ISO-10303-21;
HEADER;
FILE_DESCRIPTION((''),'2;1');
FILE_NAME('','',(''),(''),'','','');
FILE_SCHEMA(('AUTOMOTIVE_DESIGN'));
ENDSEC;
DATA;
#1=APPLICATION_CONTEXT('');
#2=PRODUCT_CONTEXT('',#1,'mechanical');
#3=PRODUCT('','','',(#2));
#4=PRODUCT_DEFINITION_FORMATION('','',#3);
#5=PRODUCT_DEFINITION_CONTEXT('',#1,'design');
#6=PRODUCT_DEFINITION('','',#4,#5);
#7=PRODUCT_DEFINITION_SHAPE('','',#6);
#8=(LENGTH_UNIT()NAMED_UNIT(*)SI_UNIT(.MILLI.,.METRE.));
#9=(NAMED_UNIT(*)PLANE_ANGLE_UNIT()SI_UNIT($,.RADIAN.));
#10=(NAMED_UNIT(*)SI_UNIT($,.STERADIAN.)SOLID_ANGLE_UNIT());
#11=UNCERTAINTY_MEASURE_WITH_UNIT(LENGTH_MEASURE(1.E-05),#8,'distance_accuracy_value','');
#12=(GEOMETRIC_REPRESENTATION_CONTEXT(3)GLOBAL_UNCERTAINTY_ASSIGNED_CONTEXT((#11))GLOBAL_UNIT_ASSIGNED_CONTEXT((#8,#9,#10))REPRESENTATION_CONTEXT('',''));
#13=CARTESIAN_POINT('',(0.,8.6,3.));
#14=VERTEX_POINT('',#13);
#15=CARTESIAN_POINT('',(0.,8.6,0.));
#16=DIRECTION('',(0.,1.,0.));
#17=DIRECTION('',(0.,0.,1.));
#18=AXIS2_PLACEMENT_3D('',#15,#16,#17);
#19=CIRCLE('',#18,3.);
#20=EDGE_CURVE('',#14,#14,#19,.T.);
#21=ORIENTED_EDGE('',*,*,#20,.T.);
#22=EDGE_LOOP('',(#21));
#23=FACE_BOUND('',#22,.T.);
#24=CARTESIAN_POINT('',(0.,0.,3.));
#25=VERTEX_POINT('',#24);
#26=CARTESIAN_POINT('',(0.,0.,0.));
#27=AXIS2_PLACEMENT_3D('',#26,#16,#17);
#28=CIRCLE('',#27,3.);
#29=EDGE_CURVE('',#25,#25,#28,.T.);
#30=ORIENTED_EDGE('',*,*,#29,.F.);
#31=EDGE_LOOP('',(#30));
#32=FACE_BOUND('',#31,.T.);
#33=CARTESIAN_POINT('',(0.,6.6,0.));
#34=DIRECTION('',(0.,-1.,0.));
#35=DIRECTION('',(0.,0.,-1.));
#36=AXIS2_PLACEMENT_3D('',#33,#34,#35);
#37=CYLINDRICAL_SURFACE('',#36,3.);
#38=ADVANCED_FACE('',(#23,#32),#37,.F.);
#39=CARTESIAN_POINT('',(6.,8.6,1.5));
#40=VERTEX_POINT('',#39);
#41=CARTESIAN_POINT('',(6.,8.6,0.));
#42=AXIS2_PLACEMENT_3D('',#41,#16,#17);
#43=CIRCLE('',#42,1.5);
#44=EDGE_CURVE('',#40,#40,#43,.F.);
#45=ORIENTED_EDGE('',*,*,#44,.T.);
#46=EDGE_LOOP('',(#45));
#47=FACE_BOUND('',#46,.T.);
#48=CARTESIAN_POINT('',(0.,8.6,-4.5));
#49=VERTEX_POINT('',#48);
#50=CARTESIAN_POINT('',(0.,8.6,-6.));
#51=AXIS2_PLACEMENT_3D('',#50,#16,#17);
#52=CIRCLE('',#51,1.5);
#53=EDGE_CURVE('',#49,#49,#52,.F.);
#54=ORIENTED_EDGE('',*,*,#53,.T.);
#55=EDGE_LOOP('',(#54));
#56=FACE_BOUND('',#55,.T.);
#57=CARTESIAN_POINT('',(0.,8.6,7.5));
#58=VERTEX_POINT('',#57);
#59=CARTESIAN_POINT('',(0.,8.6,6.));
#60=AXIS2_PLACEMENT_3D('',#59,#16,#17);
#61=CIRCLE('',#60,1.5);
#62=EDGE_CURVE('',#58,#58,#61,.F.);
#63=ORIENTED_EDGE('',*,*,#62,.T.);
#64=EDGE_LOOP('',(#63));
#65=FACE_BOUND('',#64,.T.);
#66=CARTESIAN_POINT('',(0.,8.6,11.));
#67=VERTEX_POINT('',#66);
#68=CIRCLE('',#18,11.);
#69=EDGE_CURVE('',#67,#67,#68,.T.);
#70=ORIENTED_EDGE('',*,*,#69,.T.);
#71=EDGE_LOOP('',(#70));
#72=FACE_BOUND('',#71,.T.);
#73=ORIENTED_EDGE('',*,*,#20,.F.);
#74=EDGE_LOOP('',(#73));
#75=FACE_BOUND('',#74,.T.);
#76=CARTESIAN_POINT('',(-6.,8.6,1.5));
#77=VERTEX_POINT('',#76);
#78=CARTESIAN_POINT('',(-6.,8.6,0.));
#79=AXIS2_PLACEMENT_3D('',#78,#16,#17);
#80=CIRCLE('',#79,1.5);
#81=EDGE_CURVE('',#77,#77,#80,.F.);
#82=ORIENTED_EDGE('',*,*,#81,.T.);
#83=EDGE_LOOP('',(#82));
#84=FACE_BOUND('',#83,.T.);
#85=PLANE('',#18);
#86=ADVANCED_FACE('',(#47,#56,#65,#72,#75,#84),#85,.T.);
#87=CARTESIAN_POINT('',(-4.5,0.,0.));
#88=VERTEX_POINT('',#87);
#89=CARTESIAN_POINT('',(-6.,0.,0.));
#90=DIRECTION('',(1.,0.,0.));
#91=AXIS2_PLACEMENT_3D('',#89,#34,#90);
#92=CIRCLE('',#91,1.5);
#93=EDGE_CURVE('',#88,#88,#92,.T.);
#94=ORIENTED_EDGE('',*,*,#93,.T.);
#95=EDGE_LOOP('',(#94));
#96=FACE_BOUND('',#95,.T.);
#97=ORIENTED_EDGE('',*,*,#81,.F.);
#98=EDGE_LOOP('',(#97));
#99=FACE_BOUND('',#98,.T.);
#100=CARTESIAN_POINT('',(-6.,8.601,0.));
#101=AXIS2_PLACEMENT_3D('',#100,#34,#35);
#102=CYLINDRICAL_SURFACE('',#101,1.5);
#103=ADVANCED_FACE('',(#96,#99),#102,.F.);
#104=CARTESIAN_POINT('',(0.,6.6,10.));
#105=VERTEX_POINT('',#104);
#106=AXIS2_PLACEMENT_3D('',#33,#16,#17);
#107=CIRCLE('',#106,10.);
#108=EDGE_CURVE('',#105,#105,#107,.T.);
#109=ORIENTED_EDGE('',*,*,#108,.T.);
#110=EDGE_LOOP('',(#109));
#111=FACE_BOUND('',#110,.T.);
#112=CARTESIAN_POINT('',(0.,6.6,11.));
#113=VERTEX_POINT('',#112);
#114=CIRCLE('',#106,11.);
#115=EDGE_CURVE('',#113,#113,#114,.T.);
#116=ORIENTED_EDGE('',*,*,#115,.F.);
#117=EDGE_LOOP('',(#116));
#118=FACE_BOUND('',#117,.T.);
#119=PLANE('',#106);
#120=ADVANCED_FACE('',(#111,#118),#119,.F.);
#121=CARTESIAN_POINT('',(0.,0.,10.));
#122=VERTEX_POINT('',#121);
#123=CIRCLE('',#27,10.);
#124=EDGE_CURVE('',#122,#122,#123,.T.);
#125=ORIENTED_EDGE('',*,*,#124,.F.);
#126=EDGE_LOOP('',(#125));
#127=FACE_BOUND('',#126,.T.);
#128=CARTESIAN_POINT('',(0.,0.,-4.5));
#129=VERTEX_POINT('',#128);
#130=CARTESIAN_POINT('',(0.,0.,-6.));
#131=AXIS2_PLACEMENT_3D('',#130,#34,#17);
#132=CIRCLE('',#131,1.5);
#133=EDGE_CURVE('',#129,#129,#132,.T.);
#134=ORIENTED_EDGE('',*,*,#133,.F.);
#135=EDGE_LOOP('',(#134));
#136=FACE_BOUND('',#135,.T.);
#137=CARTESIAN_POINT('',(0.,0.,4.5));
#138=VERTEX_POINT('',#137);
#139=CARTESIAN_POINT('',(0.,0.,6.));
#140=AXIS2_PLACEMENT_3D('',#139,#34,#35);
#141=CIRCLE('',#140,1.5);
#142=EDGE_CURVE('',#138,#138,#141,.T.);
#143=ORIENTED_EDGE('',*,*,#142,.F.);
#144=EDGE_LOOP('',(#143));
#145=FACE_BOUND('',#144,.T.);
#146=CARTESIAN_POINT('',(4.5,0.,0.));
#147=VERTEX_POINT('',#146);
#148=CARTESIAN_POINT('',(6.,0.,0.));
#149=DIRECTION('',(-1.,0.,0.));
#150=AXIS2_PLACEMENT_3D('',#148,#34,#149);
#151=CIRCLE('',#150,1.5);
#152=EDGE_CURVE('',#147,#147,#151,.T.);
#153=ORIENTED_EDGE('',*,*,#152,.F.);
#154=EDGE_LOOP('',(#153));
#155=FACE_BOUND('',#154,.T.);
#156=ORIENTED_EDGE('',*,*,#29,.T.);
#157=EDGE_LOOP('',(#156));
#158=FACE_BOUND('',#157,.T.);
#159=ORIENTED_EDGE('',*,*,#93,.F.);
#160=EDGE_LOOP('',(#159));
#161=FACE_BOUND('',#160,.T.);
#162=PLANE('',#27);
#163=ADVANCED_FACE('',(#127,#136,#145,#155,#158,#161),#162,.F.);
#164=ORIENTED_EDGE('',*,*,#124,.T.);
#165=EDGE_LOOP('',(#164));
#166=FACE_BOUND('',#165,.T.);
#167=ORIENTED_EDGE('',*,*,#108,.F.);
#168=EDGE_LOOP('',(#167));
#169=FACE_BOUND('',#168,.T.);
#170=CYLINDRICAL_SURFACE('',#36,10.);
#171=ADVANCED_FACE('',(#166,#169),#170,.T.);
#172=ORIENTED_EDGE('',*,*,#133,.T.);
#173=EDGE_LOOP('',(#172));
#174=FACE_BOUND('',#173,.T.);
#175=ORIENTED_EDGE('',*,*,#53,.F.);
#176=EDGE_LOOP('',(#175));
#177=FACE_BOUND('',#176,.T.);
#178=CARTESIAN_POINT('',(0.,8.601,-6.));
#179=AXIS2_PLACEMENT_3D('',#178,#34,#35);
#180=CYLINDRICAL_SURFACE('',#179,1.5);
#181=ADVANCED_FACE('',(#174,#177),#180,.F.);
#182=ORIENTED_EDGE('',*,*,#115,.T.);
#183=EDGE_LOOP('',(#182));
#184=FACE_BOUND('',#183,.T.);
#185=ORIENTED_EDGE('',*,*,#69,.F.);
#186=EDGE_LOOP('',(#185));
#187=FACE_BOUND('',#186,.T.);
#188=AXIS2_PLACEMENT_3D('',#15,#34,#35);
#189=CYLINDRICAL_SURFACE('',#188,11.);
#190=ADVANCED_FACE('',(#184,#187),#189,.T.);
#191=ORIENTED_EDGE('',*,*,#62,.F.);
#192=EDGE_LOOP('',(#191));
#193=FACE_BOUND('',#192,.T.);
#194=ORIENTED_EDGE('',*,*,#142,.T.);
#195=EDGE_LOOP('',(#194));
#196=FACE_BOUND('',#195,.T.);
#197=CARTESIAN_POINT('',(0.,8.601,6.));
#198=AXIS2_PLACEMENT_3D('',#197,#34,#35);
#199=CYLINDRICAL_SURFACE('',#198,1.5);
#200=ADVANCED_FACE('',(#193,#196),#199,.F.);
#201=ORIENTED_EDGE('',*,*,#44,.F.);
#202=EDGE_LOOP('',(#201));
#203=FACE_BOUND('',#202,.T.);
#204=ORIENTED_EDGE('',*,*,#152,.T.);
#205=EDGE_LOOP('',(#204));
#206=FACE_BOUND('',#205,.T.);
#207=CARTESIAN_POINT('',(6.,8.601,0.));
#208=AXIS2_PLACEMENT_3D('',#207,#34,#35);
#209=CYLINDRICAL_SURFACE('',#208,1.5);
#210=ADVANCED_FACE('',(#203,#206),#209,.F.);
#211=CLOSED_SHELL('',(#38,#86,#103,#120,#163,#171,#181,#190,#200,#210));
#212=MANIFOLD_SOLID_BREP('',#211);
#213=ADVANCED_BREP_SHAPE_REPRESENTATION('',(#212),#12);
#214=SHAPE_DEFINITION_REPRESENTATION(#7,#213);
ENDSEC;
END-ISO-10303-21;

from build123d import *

# Parameters (mm, degrees)
SKETCH_1_R               = 10
SKETCH_1_R_2             = 3
EXTRUDE_1_DEPTH          = 6.6
SKETCH_2_R               = 11
SKETCH_2_R_2             = 3
EXTRUDE_2_DEPTH          = 2
CUT_EXTRUDE_1_REACH      = 19.775
SKETCH_3_R               = 1.5
PATTERN_CIRCULAR_1_COUNT = 4


with BuildPart() as part:
    # 草图1 → 凸台-拉伸1 (new body)
    with BuildSketch(Plane(origin=(0, 0, 0), x_dir=(1, 0, 0), z_dir=(0, 1, 0))):
        with Locations(Location((0, 0, 0), (0, 0, 270))):
            Circle(SKETCH_1_R)
        with Locations(Location((0, 0, 0), (0, 0, 270))):
            Circle(SKETCH_1_R_2, mode=Mode.SUBTRACT)
    extrude(amount=EXTRUDE_1_DEPTH)

    # 草图2 → 凸台-拉伸2 (add)
    with BuildSketch(Plane(origin=(0, 6.6, 0), x_dir=(1, 0, 0), z_dir=(0, 1, 0))):
        with Locations(Location((0, 0, 0), (0, 0, 270))):
            Circle(SKETCH_2_R)
        with Locations(Location((0, 0, 0), (0, 0, 270))):
            Circle(SKETCH_2_R_2, mode=Mode.SUBTRACT)
    extrude(amount=EXTRUDE_2_DEPTH)

    # 草图3 → 切除-拉伸1 (cut, up to next)
    with BuildSketch(Plane.XZ, mode=Mode.PRIVATE) as cut_extrude_1_sk1:
        with Locations(Location((0, 6, 0), (0, 0, 270))):
            Circle(SKETCH_3_R)
    cut_extrude_1_tool1 = extrude(cut_extrude_1_sk1.sketch, amount=-CUT_EXTRUDE_1_REACH, mode=Mode.PRIVATE) & part.part
    cut_extrude_1 = cut_extrude_1_tool1.solids().sort_by_distance((0, 0, 6))[0]
    add(cut_extrude_1, mode=Mode.SUBTRACT)

    # 阵列(圆周)1: 切除-拉伸1 ×4 about axis
    pattern_circular_1_axis = Axis((0, 0, 0), (0, 1, 0))
    for i in range(1, PATTERN_CIRCULAR_1_COUNT):
        add(cut_extrude_1.rotate(pattern_circular_1_axis, i * 360 / PATTERN_CIRCULAR_1_COUNT), mode=Mode.SUBTRACT)


solid = part.part
